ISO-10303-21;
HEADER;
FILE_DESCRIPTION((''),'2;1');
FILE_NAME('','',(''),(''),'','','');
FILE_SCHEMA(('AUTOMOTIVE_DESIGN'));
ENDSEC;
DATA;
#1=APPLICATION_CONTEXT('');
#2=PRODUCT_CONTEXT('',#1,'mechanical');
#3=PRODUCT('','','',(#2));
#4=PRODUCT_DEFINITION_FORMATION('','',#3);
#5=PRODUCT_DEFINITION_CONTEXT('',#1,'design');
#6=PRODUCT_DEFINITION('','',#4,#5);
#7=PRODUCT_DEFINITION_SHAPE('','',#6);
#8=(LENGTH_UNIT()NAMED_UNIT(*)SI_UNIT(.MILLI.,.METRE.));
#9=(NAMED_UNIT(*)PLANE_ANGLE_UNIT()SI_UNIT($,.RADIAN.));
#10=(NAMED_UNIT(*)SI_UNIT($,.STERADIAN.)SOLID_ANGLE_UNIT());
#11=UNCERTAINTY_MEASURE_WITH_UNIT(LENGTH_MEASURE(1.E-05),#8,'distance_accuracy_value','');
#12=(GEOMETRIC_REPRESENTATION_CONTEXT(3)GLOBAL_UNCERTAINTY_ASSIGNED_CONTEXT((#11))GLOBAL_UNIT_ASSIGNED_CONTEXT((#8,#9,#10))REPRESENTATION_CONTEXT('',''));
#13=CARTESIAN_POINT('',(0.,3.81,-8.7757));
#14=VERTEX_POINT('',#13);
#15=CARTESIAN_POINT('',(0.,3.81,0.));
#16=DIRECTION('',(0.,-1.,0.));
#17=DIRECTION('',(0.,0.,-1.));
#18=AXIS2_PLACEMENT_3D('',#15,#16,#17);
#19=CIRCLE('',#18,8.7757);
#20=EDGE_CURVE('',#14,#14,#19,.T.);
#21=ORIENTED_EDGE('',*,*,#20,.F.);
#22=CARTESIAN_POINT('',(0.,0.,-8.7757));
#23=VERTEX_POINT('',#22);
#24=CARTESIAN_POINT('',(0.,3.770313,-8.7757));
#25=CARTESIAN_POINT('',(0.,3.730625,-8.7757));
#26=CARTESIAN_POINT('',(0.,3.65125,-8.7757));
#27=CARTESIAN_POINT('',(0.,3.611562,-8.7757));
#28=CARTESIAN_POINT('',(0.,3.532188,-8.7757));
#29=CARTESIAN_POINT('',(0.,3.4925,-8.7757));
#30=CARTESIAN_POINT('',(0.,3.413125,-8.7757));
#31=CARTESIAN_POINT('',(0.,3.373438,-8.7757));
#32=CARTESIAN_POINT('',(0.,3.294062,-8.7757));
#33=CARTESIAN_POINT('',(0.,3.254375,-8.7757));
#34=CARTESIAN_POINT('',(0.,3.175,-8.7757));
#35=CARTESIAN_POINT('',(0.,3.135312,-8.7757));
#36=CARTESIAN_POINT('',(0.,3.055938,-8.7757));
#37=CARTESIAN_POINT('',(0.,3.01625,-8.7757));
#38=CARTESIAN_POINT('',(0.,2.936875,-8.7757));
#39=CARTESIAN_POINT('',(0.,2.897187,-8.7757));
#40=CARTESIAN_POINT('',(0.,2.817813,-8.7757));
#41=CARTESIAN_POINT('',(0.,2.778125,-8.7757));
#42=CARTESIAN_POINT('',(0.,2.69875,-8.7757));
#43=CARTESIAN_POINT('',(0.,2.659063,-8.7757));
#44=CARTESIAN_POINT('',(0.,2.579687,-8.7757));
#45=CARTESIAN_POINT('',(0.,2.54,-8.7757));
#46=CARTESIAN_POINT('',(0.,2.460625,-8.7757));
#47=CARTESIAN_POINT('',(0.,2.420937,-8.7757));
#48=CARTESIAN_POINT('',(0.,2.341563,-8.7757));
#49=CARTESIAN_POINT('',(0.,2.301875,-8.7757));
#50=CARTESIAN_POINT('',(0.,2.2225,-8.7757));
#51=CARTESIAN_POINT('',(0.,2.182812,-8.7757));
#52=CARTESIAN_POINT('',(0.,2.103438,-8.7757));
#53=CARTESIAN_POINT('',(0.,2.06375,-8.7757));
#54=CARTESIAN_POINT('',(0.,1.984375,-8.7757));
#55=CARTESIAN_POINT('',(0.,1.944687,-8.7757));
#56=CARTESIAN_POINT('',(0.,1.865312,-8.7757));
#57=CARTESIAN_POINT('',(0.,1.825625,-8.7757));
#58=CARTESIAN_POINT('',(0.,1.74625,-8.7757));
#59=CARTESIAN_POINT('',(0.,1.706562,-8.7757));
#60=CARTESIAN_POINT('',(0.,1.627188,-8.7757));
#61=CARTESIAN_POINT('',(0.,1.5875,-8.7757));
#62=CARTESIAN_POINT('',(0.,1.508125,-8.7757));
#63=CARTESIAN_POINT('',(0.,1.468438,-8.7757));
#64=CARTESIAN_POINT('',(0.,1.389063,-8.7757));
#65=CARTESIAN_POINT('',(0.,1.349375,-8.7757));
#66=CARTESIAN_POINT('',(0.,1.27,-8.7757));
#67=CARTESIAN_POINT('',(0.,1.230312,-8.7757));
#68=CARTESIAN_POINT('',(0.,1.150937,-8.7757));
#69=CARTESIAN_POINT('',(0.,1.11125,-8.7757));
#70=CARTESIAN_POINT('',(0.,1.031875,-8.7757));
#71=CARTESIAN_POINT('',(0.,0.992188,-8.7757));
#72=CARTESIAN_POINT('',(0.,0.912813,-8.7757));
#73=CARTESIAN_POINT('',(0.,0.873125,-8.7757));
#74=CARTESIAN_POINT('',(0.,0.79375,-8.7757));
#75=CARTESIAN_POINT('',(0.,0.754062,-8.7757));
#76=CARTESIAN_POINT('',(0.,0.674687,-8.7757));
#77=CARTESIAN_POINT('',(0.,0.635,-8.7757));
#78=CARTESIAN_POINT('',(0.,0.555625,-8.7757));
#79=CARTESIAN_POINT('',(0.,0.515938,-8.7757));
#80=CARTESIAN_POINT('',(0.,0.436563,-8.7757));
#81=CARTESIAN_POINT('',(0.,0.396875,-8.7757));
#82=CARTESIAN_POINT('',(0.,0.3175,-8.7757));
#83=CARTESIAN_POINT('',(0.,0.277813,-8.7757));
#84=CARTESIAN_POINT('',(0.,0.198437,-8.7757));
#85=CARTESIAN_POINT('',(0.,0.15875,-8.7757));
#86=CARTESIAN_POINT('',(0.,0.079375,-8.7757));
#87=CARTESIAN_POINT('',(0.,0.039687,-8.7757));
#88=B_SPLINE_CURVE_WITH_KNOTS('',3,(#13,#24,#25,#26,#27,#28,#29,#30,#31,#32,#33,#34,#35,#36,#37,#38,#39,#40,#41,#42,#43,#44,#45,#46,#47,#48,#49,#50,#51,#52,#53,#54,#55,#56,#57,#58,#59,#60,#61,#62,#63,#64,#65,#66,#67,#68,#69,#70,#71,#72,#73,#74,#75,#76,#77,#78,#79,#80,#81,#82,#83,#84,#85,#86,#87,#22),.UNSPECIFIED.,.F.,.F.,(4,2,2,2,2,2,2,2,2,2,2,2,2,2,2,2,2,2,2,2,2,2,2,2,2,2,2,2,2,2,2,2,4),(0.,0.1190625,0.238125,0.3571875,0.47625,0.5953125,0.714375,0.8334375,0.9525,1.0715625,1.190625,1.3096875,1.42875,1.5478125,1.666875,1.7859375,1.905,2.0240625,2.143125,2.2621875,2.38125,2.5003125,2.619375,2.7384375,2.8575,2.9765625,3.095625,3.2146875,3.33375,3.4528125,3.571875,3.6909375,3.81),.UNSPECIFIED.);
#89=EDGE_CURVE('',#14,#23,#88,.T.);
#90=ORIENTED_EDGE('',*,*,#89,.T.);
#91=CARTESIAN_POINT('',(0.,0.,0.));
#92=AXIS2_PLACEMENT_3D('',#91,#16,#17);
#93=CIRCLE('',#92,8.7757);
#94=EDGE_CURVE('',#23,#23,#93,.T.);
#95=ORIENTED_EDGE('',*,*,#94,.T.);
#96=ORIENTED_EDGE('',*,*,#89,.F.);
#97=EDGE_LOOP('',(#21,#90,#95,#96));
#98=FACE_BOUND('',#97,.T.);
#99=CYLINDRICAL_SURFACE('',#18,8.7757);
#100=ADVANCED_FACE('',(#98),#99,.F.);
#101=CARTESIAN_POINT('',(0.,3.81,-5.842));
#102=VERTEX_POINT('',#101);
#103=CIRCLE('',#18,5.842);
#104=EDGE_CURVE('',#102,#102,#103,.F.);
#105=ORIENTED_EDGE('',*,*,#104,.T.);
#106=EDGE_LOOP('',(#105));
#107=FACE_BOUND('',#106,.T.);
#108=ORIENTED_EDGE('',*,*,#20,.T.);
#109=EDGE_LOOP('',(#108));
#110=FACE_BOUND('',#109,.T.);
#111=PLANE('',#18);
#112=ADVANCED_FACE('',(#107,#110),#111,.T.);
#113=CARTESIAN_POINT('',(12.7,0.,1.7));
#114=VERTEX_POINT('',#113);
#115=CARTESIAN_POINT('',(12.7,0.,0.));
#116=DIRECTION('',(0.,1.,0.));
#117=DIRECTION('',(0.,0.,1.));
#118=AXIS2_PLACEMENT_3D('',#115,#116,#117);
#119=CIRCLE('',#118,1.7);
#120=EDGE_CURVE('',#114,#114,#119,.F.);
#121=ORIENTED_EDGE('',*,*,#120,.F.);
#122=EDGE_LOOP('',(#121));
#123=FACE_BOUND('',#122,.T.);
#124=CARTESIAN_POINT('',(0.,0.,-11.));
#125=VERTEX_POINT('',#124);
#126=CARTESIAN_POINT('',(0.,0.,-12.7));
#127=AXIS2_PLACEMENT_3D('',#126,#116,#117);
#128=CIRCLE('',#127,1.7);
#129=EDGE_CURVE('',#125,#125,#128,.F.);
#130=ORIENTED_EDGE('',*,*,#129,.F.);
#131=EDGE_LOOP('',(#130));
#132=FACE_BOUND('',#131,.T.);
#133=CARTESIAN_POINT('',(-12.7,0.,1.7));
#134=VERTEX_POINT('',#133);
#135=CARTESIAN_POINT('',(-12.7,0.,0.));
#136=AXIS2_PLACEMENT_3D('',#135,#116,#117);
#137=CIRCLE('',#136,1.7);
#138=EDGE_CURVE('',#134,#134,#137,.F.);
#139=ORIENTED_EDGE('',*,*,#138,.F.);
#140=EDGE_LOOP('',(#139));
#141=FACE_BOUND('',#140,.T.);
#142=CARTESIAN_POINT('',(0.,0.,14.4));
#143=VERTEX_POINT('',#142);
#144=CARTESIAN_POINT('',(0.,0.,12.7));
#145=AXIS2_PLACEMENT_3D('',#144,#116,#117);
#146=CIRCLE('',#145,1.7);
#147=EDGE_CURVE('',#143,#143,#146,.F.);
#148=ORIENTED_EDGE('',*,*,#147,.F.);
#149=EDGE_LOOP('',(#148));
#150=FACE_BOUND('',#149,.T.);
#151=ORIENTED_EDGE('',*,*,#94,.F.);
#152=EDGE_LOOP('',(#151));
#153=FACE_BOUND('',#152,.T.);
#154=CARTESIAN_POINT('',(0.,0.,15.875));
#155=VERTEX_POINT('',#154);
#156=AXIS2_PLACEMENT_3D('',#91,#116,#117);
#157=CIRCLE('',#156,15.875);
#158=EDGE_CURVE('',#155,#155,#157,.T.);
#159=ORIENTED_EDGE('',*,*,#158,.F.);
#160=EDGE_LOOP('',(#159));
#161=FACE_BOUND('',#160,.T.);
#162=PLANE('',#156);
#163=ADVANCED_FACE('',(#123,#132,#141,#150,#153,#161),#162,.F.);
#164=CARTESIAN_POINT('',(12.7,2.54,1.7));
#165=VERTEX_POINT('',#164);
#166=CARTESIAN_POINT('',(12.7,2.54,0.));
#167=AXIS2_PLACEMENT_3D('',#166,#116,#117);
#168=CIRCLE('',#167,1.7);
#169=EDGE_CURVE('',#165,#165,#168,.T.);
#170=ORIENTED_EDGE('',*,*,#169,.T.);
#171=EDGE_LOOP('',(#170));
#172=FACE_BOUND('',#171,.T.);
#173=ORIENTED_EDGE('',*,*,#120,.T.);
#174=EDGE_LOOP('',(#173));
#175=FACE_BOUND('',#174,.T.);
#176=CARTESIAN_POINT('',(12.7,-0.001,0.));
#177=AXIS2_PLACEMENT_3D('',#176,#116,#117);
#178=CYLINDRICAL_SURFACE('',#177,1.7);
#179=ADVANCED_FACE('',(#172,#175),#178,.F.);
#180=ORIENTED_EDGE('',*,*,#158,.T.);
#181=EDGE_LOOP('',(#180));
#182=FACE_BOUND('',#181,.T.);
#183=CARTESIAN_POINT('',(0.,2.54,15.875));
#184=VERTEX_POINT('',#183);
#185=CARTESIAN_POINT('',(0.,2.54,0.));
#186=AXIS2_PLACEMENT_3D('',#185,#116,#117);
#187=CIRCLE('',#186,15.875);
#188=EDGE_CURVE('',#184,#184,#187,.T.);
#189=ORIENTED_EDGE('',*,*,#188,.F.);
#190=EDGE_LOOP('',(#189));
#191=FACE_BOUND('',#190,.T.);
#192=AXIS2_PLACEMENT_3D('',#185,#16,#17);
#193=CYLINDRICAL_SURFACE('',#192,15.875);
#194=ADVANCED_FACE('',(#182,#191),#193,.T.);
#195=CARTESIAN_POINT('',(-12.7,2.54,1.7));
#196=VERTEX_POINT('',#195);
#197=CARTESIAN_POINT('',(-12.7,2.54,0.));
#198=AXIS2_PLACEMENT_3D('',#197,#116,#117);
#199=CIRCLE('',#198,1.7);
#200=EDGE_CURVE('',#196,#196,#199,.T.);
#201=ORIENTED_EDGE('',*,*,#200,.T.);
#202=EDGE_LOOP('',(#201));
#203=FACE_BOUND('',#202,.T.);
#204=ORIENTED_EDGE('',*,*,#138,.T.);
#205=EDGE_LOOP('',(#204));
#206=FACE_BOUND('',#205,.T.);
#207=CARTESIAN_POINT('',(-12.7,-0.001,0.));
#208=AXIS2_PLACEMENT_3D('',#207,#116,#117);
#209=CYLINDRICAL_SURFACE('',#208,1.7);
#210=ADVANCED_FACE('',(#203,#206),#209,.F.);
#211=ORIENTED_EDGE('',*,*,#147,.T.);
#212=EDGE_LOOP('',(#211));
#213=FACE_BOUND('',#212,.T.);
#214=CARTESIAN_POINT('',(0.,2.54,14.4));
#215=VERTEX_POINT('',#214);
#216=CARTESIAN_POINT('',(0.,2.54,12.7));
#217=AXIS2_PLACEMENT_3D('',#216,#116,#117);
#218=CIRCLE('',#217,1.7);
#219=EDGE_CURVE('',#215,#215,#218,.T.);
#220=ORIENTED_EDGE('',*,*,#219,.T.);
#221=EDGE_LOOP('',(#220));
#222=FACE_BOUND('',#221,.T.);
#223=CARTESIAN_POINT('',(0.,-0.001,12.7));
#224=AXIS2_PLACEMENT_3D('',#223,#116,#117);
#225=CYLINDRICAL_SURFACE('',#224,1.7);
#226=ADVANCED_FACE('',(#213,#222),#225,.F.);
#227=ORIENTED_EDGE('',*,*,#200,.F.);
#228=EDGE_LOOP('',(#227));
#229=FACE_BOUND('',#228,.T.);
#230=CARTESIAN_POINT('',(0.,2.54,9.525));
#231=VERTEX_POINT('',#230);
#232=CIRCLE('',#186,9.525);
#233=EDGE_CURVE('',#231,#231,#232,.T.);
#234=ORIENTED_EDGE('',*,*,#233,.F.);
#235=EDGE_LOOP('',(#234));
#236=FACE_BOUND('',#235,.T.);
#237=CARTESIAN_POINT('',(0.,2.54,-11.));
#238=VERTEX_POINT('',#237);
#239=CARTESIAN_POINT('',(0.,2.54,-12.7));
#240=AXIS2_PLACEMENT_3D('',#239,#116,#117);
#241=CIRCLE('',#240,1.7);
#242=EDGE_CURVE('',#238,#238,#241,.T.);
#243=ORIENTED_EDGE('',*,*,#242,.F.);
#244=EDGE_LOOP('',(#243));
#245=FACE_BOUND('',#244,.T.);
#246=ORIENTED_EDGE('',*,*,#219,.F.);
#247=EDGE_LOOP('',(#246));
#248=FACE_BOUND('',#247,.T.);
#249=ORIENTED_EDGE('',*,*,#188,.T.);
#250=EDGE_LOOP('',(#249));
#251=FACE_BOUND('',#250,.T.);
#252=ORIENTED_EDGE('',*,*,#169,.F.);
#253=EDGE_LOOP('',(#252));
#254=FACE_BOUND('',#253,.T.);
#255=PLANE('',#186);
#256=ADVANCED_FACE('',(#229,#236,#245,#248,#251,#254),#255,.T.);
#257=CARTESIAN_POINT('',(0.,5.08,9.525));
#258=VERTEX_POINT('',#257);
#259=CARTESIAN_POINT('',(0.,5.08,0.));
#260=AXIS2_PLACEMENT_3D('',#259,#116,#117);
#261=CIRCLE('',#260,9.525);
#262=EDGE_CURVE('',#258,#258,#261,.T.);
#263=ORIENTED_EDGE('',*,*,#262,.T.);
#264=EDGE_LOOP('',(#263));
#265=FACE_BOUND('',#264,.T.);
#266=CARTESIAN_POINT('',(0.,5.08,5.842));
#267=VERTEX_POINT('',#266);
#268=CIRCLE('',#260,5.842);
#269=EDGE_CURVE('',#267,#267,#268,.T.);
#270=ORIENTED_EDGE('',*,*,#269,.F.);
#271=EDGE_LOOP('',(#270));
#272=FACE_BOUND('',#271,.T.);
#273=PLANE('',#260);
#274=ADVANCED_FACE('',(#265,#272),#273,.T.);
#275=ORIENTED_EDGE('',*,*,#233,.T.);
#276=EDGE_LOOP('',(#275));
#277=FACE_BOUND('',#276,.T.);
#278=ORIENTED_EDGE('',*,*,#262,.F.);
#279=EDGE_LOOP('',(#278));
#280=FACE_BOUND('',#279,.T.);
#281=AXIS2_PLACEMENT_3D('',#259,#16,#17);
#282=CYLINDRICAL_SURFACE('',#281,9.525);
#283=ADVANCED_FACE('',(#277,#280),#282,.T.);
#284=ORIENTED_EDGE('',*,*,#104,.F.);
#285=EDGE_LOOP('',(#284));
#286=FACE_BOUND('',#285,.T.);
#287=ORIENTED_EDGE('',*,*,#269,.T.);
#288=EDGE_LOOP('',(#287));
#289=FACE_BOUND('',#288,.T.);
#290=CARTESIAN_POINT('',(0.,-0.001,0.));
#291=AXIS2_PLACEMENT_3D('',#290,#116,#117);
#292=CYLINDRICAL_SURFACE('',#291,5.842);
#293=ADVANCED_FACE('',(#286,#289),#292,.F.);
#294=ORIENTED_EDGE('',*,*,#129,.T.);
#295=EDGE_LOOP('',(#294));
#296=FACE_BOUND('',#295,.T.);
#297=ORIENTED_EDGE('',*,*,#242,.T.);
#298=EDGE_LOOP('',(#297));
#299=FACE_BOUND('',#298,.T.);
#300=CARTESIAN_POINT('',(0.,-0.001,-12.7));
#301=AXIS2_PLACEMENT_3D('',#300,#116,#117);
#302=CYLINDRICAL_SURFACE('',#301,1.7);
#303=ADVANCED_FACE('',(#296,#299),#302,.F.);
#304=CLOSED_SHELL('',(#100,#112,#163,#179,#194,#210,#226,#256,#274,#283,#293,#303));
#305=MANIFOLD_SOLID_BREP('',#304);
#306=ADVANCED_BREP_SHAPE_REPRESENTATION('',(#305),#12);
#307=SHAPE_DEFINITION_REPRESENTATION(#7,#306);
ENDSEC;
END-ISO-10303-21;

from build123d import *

# Parameters (mm, degrees)
SKETCH1_R           = 15.875
BOSS_EXTRUDE1_DEPTH = 2.54
SKETCH2_R           = 9.525
BOSS_EXTRUDE2_DEPTH = 2.54
SKETCH3_R           = 8.7757
CUT_EXTRUDE1_DEPTH  = 3.81
CUT_EXTRUDE2_REACH  = 25.018
SKETCH4_R           = 5.842
CUT_EXTRUDE3_REACH  = 24.594
SKETCH5_R           = 1.7


with BuildPart() as part:
    # Sketch1 → Boss-Extrude1 (new body)
    with BuildSketch(Plane(origin=(0, 0, 0), x_dir=(1, 0, 0), z_dir=(0, 1, 0))):
        with Locations(Location((0, 0, 0), (0, 0, 270))):
            Circle(SKETCH1_R)
    extrude(amount=BOSS_EXTRUDE1_DEPTH)

    # Sketch2 → Boss-Extrude2 (add)
    with BuildSketch(Plane(origin=(0, 2.54, 0), x_dir=(1, 0, 0), z_dir=(0, 1, 0))):
        with Locations(Location((0, 0, 0), (0, 0, 270))):
            Circle(SKETCH2_R)
    extrude(amount=BOSS_EXTRUDE2_DEPTH)

    # Sketch3 → Cut-Extrude1 (cut)
    with BuildSketch(Plane.XZ):
        with Locations(Location((0, 0, 0), (0, 0, 270))):
            Circle(SKETCH3_R)
    extrude(amount=-CUT_EXTRUDE1_DEPTH, mode=Mode.SUBTRACT)

    # Sketch4 → Cut-Extrude2 (cut, up to next)
    with BuildSketch(Plane(origin=(0, 5.08, 0), x_dir=(1, 0, 0), z_dir=(0, 1, 0)), mode=Mode.PRIVATE) as cut_extrude2_sk1:
        with Locations(Location((0, 0, 0), (0, 0, 270))):
            Circle(SKETCH4_R)
    cut_extrude2_tool1 = extrude(cut_extrude2_sk1.sketch, amount=-CUT_EXTRUDE2_REACH, mode=Mode.PRIVATE) & part.part
    add(cut_extrude2_tool1.solids().sort_by_distance((0, 5.08, 0))[0], mode=Mode.SUBTRACT)

    # Sketch5 → Cut-Extrude3 (cut, up to next)
    with BuildSketch(Plane(origin=(0, 2.54, 0), x_dir=(1, 0, 0), z_dir=(0, 1, 0)), mode=Mode.PRIVATE) as cut_extrude3_sk1:
        with Locations(Location((0, 12.7, 0), (0, 0, 270))):
            Circle(SKETCH5_R)
    cut_extrude3_tool1 = extrude(cut_extrude3_sk1.sketch, amount=-CUT_EXTRUDE3_REACH, mode=Mode.PRIVATE) & part.part
    # Sketch5 → Cut-Extrude3 (cut, up to next)
    with BuildSketch(Plane(origin=(0, 2.54, 0), x_dir=(1, 0, 0), z_dir=(0, 1, 0)), mode=Mode.PRIVATE) as cut_extrude3_sk2:
        with Locations(Location((12.7, 0, 0), (0, 0, 270))):
            Circle(SKETCH5_R)
    cut_extrude3_tool2 = extrude(cut_extrude3_sk2.sketch, amount=-CUT_EXTRUDE3_REACH, mode=Mode.PRIVATE) & part.part
    # Sketch5 → Cut-Extrude3 (cut, up to next)
    with BuildSketch(Plane(origin=(0, 2.54, 0), x_dir=(1, 0, 0), z_dir=(0, 1, 0)), mode=Mode.PRIVATE) as cut_extrude3_sk3:
        with Locations(Location((0, -12.7, 0), (0, 0, 270))):
            Circle(SKETCH5_R)
    cut_extrude3_tool3 = extrude(cut_extrude3_sk3.sketch, amount=-CUT_EXTRUDE3_REACH, mode=Mode.PRIVATE) & part.part
    # Sketch5 → Cut-Extrude3 (cut, up to next)
    with BuildSketch(Plane(origin=(0, 2.54, 0), x_dir=(1, 0, 0), z_dir=(0, 1, 0)), mode=Mode.PRIVATE) as cut_extrude3_sk4:
        with Locations(Location((-12.7, 0, 0), (0, 0, 270))):
            Circle(SKETCH5_R)
    cut_extrude3_tool4 = extrude(cut_extrude3_sk4.sketch, amount=-CUT_EXTRUDE3_REACH, mode=Mode.PRIVATE) & part.part
    add(cut_extrude3_tool1.solids().sort_by_distance((0, 2.54, -12.7))[0], mode=Mode.SUBTRACT)
    add(cut_extrude3_tool2.solids().sort_by_distance((12.7, 2.54, 0))[0], mode=Mode.SUBTRACT)
    add(cut_extrude3_tool3.solids().sort_by_distance((0, 2.54, 12.7))[0], mode=Mode.SUBTRACT)
    add(cut_extrude3_tool4.solids().sort_by_distance((-12.7, 2.54, 0))[0], mode=Mode.SUBTRACT)


solid = part.part
